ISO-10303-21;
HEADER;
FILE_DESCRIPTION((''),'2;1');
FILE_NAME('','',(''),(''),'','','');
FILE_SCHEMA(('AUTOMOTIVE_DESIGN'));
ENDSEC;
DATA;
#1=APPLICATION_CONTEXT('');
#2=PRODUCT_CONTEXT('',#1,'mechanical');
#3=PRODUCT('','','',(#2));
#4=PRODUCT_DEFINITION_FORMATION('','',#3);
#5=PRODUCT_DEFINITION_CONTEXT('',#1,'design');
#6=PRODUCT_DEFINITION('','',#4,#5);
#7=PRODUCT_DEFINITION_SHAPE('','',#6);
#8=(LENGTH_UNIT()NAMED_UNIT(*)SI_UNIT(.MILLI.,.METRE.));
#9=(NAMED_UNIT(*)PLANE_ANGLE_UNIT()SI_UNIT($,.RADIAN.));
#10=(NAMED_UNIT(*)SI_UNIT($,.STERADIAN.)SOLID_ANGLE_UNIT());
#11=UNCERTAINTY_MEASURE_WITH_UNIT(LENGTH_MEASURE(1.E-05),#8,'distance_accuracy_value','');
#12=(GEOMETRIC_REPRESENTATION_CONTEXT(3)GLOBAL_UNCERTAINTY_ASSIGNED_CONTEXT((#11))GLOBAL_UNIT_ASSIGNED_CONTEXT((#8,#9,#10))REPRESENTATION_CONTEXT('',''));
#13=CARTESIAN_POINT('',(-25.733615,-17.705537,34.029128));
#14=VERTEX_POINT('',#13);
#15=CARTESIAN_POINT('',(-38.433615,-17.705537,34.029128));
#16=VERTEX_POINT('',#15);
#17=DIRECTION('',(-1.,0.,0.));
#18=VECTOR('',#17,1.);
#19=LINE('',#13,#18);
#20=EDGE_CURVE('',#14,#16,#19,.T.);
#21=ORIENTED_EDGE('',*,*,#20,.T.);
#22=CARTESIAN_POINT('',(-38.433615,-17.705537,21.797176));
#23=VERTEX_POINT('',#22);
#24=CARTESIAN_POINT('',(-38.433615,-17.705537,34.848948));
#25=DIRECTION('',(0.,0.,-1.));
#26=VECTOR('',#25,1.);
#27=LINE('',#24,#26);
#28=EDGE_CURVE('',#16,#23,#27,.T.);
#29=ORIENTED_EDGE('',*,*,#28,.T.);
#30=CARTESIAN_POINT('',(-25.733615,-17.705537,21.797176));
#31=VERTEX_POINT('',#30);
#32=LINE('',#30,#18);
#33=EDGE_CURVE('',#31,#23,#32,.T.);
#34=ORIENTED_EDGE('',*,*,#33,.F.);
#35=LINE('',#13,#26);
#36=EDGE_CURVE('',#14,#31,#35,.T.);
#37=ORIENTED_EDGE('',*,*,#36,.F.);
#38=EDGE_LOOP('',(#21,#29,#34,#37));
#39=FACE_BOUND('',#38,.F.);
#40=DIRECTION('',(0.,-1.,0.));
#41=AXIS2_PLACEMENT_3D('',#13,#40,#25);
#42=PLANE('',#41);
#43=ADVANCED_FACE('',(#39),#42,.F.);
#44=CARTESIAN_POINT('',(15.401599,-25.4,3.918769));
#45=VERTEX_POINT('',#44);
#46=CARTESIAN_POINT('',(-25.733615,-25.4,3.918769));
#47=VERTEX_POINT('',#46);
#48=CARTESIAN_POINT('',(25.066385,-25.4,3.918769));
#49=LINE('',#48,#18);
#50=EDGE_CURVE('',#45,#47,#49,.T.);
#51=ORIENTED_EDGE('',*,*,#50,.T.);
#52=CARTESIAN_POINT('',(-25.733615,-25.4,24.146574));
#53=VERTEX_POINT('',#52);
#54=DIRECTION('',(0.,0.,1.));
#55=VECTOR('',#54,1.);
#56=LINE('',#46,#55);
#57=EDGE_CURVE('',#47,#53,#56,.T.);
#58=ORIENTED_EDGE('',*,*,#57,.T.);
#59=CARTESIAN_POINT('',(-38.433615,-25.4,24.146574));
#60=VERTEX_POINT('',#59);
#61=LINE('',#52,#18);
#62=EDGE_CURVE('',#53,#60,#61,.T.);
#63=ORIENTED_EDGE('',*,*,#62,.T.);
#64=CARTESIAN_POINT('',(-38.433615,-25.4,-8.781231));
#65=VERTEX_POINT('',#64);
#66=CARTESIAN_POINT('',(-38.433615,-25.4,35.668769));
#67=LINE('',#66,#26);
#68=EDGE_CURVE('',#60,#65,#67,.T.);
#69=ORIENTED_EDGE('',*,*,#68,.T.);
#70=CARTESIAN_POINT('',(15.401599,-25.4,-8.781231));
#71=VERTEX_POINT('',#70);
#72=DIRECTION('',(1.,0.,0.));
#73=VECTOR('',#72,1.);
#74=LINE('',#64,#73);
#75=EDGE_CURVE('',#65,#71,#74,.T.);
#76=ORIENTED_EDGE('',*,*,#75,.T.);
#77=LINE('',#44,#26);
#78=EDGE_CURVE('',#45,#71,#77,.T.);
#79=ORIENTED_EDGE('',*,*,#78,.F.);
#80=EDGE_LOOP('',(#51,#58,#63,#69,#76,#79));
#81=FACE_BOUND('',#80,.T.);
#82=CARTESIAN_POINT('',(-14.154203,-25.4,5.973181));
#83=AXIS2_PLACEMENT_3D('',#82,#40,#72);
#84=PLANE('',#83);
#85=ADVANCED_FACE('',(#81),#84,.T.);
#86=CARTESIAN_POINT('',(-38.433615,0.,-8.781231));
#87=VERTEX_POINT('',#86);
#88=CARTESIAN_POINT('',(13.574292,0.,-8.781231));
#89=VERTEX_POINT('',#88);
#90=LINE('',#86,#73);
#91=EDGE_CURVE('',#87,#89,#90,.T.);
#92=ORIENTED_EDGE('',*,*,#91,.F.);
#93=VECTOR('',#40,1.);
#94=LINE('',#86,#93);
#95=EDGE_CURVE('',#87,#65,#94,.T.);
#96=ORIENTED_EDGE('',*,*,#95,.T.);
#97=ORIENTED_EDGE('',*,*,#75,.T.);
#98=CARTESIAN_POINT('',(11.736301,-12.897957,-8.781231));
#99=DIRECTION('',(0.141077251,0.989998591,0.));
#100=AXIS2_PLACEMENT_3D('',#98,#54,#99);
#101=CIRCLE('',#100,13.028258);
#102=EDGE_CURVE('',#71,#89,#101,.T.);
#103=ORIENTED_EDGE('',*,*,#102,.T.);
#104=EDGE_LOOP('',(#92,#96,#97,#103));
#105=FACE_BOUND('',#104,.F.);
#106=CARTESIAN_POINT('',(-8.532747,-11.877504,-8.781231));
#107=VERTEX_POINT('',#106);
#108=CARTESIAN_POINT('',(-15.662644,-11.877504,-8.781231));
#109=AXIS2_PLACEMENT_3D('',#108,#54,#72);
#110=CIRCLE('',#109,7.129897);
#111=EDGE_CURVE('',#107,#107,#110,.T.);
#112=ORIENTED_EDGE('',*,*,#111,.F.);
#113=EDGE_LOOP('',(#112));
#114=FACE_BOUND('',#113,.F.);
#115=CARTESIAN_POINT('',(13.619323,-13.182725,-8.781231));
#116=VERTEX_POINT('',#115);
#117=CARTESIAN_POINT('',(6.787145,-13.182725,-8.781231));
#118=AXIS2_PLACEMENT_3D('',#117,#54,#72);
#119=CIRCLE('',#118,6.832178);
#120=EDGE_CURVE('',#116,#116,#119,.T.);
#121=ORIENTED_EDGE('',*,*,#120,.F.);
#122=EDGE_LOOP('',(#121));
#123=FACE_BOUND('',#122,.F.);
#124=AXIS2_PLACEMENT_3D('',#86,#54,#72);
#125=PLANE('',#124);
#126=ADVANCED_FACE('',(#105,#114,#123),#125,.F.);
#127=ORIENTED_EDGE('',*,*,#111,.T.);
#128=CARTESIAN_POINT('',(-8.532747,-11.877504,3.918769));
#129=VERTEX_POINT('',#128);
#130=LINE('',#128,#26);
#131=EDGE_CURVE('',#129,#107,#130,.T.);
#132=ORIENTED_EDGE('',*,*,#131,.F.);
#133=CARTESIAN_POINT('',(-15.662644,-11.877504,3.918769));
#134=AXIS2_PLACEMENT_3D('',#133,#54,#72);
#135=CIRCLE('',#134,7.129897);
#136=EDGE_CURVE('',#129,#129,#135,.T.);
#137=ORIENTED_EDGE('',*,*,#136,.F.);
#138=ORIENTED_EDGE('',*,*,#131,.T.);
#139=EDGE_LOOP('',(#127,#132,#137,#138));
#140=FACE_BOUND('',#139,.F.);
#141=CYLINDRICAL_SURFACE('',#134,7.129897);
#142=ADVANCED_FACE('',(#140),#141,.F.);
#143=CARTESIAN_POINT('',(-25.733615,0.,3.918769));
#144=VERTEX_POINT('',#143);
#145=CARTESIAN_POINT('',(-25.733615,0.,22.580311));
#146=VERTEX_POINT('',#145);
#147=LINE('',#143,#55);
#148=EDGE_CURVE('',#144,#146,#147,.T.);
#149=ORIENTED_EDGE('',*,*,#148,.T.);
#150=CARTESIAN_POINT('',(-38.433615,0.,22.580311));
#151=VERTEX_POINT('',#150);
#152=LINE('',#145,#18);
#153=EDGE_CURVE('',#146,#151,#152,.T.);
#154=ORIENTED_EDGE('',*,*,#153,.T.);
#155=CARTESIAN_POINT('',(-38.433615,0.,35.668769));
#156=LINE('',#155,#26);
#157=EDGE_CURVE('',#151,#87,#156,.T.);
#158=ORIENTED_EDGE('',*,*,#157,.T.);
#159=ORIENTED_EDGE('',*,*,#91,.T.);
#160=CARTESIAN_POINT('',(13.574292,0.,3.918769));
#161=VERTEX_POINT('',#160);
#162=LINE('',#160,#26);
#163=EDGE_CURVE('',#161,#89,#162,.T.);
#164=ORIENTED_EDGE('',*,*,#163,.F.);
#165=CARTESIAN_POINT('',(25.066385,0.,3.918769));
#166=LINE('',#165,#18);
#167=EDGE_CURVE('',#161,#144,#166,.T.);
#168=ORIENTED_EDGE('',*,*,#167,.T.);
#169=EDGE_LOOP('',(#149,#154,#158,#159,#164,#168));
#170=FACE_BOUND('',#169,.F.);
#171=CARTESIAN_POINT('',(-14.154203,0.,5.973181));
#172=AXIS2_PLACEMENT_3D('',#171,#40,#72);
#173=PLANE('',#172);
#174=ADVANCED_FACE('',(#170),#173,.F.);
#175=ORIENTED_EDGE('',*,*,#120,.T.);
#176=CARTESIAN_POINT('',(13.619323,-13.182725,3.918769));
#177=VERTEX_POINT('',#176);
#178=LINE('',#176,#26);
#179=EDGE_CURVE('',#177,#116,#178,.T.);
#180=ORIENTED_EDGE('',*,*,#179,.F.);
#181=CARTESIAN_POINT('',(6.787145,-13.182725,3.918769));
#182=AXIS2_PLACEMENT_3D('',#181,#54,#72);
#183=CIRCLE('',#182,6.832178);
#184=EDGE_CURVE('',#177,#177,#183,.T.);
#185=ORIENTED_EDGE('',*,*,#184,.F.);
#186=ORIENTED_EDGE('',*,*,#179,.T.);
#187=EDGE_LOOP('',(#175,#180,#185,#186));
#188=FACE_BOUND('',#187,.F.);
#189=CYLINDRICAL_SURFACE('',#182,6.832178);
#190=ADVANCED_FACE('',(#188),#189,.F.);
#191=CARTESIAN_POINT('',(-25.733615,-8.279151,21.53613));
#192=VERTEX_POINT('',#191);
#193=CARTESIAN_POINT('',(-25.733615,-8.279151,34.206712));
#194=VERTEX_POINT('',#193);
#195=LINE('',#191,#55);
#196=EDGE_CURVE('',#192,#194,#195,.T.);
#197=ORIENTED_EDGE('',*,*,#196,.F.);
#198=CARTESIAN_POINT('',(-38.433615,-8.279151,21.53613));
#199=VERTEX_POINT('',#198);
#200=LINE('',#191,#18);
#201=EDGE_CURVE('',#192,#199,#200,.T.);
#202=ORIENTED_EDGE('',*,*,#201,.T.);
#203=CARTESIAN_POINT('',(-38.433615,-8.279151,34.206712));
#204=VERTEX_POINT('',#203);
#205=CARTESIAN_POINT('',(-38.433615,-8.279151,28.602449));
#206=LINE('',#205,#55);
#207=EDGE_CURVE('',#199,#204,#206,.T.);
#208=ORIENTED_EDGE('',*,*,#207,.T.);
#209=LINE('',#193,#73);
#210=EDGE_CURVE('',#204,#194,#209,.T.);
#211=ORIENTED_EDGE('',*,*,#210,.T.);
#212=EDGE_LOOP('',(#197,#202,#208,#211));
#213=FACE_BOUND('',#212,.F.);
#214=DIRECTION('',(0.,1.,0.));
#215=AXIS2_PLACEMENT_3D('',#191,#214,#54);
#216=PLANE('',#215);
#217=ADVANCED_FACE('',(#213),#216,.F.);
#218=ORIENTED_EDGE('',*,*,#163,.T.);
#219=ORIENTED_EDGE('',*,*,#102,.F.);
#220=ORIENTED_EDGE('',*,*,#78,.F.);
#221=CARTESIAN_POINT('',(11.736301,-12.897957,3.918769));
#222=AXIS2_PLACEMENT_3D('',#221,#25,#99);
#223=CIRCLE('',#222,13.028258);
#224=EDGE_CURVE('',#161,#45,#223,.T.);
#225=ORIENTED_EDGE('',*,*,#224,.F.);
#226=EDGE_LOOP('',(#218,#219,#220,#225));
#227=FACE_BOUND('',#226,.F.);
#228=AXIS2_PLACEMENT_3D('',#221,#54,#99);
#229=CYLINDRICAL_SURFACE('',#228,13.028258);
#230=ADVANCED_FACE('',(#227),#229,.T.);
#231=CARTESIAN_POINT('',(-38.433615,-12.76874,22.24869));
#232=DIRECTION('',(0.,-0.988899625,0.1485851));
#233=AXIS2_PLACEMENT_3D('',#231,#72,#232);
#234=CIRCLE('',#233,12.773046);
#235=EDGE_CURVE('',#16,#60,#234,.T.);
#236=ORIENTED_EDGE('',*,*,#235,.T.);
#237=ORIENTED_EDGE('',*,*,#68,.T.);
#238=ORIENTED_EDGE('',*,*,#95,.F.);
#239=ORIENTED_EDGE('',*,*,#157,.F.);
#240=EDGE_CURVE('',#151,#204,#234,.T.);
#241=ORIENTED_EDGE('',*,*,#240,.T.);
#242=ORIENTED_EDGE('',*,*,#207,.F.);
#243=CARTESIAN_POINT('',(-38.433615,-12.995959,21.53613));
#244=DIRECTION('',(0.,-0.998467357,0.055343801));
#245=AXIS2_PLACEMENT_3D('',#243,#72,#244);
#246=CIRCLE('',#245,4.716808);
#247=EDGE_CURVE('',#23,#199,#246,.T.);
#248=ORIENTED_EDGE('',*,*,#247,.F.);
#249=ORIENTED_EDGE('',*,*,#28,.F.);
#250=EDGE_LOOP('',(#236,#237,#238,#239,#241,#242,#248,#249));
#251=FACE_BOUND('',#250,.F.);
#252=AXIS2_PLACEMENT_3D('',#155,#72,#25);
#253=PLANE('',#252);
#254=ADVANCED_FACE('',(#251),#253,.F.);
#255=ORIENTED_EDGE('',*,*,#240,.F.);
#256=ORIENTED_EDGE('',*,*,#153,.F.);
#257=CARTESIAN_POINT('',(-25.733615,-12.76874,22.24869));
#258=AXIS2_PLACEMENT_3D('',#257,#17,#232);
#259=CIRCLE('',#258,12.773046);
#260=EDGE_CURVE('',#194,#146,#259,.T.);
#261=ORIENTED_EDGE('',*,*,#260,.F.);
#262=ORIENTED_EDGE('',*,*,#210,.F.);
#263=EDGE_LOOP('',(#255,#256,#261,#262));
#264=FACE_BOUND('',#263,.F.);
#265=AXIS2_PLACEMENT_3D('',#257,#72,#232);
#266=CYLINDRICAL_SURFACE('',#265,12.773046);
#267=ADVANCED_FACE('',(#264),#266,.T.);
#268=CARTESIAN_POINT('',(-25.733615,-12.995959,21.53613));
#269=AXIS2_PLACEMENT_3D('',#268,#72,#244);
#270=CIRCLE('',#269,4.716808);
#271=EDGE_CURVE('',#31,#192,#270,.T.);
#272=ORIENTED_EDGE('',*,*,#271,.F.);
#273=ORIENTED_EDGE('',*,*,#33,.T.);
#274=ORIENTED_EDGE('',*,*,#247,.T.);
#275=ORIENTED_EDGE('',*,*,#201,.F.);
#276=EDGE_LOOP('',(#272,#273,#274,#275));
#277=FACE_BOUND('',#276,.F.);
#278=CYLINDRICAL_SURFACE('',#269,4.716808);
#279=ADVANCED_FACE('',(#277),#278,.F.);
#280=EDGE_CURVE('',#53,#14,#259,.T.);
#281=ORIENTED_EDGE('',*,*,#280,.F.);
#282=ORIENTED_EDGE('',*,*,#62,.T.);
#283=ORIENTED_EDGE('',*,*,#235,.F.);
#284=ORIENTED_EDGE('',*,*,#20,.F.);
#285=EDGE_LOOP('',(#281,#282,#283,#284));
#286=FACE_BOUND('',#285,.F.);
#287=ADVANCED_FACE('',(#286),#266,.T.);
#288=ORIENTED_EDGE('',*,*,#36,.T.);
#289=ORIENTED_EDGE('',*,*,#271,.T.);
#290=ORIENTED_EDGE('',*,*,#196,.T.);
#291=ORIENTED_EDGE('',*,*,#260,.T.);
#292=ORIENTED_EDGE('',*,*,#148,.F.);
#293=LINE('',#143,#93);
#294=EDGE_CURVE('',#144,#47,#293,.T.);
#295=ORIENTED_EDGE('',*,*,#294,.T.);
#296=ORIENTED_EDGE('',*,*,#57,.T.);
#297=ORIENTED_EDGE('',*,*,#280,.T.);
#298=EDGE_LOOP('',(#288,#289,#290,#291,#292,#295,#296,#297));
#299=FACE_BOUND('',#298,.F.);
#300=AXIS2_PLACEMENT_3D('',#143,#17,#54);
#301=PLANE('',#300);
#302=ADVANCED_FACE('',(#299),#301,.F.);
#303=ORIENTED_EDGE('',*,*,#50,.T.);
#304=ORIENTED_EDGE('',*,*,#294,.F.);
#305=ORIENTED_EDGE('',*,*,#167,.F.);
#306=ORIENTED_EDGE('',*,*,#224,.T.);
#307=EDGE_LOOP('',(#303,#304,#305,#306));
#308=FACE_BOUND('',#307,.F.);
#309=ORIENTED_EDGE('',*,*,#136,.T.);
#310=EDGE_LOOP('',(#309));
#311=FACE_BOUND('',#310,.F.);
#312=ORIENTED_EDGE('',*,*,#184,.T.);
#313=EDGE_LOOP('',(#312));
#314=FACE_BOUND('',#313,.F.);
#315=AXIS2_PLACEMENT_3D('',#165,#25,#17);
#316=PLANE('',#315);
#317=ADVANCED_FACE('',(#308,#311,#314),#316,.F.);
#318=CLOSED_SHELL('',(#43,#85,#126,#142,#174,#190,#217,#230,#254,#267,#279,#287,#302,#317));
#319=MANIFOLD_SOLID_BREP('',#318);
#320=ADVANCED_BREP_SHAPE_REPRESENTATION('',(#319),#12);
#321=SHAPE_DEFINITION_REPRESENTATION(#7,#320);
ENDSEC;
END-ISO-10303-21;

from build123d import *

# Parameters (mm, degrees)
F1_DEPTH = 25.4
F3_DEPTH = 25.4
F5_DEPTH = 25.4
F6_R     = 7.129897
F6_R_2   = 6.832178
F7_DEPTH = 25.4


with BuildPart() as f1:
    # F0 (on Front) → F1 (new body)
    with BuildSketch(Plane.XZ):
        Polygon((-25.733615, 35.668769), (-38.433615, 35.668769), (-38.433615, -8.781231), (25.066385, -8.781231), (25.066385, 3.918769), (-25.733615, 3.918769), align=None)
    extrude(amount=F1_DEPTH)

    # F2 (on face) → F3 (cut)
    with BuildSketch(Plane.YZ.offset(-25.733615)):
        with BuildLine():
            ThreePointArc((-25.4, 24.146574), (-11.982597, 34.99752), (0, 22.580311))
            Line((0, 22.580311), (0, 35.668769))
            Line((0, 35.668769), (-25.4, 35.668769))
            Line((-25.4, 35.668769), (-25.4, 24.146574))
        make_face()
    extrude(amount=-F3_DEPTH, mode=Mode.SUBTRACT)

    # F4 (on face) → F5 (cut)
    with BuildSketch(Plane.YZ.offset(-25.733615)):
        with BuildLine():
            ThreePointArc((-8.279151, 34.206712), (-13.009328, 35.01947), (-17.705537, 34.029128))
            Line((-17.705537, 34.029128), (-17.705537, 21.797176))
            ThreePointArc((-17.705537, 21.797176), (-13.126532, 16.82113), (-8.279151, 21.53613))
            Line((-8.279151, 21.53613), (-8.279151, 34.206712))
        make_face()
    extrude(amount=-F5_DEPTH, mode=Mode.SUBTRACT)

    # F6 (on face) → F7 (cut)
    with BuildSketch(Plane.XY.offset(3.918769)):
        with Locations((-15.662644, -11.877504)):
            Circle(F6_R)
        with Locations((6.787145, -13.182725)):
            Circle(F6_R_2)
        with BuildLine():
            ThreePointArc((13.574292, 0), (24.730975, -11.963104), (15.401599, -25.4))
            Line((15.401599, -25.4), (25.066385, -25.4))
            Line((25.066385, -25.4), (25.066385, 0))
            Line((25.066385, 0), (13.574292, 0))
        make_face()
    extrude(amount=-F7_DEPTH, mode=Mode.SUBTRACT)


solid = f1.part
